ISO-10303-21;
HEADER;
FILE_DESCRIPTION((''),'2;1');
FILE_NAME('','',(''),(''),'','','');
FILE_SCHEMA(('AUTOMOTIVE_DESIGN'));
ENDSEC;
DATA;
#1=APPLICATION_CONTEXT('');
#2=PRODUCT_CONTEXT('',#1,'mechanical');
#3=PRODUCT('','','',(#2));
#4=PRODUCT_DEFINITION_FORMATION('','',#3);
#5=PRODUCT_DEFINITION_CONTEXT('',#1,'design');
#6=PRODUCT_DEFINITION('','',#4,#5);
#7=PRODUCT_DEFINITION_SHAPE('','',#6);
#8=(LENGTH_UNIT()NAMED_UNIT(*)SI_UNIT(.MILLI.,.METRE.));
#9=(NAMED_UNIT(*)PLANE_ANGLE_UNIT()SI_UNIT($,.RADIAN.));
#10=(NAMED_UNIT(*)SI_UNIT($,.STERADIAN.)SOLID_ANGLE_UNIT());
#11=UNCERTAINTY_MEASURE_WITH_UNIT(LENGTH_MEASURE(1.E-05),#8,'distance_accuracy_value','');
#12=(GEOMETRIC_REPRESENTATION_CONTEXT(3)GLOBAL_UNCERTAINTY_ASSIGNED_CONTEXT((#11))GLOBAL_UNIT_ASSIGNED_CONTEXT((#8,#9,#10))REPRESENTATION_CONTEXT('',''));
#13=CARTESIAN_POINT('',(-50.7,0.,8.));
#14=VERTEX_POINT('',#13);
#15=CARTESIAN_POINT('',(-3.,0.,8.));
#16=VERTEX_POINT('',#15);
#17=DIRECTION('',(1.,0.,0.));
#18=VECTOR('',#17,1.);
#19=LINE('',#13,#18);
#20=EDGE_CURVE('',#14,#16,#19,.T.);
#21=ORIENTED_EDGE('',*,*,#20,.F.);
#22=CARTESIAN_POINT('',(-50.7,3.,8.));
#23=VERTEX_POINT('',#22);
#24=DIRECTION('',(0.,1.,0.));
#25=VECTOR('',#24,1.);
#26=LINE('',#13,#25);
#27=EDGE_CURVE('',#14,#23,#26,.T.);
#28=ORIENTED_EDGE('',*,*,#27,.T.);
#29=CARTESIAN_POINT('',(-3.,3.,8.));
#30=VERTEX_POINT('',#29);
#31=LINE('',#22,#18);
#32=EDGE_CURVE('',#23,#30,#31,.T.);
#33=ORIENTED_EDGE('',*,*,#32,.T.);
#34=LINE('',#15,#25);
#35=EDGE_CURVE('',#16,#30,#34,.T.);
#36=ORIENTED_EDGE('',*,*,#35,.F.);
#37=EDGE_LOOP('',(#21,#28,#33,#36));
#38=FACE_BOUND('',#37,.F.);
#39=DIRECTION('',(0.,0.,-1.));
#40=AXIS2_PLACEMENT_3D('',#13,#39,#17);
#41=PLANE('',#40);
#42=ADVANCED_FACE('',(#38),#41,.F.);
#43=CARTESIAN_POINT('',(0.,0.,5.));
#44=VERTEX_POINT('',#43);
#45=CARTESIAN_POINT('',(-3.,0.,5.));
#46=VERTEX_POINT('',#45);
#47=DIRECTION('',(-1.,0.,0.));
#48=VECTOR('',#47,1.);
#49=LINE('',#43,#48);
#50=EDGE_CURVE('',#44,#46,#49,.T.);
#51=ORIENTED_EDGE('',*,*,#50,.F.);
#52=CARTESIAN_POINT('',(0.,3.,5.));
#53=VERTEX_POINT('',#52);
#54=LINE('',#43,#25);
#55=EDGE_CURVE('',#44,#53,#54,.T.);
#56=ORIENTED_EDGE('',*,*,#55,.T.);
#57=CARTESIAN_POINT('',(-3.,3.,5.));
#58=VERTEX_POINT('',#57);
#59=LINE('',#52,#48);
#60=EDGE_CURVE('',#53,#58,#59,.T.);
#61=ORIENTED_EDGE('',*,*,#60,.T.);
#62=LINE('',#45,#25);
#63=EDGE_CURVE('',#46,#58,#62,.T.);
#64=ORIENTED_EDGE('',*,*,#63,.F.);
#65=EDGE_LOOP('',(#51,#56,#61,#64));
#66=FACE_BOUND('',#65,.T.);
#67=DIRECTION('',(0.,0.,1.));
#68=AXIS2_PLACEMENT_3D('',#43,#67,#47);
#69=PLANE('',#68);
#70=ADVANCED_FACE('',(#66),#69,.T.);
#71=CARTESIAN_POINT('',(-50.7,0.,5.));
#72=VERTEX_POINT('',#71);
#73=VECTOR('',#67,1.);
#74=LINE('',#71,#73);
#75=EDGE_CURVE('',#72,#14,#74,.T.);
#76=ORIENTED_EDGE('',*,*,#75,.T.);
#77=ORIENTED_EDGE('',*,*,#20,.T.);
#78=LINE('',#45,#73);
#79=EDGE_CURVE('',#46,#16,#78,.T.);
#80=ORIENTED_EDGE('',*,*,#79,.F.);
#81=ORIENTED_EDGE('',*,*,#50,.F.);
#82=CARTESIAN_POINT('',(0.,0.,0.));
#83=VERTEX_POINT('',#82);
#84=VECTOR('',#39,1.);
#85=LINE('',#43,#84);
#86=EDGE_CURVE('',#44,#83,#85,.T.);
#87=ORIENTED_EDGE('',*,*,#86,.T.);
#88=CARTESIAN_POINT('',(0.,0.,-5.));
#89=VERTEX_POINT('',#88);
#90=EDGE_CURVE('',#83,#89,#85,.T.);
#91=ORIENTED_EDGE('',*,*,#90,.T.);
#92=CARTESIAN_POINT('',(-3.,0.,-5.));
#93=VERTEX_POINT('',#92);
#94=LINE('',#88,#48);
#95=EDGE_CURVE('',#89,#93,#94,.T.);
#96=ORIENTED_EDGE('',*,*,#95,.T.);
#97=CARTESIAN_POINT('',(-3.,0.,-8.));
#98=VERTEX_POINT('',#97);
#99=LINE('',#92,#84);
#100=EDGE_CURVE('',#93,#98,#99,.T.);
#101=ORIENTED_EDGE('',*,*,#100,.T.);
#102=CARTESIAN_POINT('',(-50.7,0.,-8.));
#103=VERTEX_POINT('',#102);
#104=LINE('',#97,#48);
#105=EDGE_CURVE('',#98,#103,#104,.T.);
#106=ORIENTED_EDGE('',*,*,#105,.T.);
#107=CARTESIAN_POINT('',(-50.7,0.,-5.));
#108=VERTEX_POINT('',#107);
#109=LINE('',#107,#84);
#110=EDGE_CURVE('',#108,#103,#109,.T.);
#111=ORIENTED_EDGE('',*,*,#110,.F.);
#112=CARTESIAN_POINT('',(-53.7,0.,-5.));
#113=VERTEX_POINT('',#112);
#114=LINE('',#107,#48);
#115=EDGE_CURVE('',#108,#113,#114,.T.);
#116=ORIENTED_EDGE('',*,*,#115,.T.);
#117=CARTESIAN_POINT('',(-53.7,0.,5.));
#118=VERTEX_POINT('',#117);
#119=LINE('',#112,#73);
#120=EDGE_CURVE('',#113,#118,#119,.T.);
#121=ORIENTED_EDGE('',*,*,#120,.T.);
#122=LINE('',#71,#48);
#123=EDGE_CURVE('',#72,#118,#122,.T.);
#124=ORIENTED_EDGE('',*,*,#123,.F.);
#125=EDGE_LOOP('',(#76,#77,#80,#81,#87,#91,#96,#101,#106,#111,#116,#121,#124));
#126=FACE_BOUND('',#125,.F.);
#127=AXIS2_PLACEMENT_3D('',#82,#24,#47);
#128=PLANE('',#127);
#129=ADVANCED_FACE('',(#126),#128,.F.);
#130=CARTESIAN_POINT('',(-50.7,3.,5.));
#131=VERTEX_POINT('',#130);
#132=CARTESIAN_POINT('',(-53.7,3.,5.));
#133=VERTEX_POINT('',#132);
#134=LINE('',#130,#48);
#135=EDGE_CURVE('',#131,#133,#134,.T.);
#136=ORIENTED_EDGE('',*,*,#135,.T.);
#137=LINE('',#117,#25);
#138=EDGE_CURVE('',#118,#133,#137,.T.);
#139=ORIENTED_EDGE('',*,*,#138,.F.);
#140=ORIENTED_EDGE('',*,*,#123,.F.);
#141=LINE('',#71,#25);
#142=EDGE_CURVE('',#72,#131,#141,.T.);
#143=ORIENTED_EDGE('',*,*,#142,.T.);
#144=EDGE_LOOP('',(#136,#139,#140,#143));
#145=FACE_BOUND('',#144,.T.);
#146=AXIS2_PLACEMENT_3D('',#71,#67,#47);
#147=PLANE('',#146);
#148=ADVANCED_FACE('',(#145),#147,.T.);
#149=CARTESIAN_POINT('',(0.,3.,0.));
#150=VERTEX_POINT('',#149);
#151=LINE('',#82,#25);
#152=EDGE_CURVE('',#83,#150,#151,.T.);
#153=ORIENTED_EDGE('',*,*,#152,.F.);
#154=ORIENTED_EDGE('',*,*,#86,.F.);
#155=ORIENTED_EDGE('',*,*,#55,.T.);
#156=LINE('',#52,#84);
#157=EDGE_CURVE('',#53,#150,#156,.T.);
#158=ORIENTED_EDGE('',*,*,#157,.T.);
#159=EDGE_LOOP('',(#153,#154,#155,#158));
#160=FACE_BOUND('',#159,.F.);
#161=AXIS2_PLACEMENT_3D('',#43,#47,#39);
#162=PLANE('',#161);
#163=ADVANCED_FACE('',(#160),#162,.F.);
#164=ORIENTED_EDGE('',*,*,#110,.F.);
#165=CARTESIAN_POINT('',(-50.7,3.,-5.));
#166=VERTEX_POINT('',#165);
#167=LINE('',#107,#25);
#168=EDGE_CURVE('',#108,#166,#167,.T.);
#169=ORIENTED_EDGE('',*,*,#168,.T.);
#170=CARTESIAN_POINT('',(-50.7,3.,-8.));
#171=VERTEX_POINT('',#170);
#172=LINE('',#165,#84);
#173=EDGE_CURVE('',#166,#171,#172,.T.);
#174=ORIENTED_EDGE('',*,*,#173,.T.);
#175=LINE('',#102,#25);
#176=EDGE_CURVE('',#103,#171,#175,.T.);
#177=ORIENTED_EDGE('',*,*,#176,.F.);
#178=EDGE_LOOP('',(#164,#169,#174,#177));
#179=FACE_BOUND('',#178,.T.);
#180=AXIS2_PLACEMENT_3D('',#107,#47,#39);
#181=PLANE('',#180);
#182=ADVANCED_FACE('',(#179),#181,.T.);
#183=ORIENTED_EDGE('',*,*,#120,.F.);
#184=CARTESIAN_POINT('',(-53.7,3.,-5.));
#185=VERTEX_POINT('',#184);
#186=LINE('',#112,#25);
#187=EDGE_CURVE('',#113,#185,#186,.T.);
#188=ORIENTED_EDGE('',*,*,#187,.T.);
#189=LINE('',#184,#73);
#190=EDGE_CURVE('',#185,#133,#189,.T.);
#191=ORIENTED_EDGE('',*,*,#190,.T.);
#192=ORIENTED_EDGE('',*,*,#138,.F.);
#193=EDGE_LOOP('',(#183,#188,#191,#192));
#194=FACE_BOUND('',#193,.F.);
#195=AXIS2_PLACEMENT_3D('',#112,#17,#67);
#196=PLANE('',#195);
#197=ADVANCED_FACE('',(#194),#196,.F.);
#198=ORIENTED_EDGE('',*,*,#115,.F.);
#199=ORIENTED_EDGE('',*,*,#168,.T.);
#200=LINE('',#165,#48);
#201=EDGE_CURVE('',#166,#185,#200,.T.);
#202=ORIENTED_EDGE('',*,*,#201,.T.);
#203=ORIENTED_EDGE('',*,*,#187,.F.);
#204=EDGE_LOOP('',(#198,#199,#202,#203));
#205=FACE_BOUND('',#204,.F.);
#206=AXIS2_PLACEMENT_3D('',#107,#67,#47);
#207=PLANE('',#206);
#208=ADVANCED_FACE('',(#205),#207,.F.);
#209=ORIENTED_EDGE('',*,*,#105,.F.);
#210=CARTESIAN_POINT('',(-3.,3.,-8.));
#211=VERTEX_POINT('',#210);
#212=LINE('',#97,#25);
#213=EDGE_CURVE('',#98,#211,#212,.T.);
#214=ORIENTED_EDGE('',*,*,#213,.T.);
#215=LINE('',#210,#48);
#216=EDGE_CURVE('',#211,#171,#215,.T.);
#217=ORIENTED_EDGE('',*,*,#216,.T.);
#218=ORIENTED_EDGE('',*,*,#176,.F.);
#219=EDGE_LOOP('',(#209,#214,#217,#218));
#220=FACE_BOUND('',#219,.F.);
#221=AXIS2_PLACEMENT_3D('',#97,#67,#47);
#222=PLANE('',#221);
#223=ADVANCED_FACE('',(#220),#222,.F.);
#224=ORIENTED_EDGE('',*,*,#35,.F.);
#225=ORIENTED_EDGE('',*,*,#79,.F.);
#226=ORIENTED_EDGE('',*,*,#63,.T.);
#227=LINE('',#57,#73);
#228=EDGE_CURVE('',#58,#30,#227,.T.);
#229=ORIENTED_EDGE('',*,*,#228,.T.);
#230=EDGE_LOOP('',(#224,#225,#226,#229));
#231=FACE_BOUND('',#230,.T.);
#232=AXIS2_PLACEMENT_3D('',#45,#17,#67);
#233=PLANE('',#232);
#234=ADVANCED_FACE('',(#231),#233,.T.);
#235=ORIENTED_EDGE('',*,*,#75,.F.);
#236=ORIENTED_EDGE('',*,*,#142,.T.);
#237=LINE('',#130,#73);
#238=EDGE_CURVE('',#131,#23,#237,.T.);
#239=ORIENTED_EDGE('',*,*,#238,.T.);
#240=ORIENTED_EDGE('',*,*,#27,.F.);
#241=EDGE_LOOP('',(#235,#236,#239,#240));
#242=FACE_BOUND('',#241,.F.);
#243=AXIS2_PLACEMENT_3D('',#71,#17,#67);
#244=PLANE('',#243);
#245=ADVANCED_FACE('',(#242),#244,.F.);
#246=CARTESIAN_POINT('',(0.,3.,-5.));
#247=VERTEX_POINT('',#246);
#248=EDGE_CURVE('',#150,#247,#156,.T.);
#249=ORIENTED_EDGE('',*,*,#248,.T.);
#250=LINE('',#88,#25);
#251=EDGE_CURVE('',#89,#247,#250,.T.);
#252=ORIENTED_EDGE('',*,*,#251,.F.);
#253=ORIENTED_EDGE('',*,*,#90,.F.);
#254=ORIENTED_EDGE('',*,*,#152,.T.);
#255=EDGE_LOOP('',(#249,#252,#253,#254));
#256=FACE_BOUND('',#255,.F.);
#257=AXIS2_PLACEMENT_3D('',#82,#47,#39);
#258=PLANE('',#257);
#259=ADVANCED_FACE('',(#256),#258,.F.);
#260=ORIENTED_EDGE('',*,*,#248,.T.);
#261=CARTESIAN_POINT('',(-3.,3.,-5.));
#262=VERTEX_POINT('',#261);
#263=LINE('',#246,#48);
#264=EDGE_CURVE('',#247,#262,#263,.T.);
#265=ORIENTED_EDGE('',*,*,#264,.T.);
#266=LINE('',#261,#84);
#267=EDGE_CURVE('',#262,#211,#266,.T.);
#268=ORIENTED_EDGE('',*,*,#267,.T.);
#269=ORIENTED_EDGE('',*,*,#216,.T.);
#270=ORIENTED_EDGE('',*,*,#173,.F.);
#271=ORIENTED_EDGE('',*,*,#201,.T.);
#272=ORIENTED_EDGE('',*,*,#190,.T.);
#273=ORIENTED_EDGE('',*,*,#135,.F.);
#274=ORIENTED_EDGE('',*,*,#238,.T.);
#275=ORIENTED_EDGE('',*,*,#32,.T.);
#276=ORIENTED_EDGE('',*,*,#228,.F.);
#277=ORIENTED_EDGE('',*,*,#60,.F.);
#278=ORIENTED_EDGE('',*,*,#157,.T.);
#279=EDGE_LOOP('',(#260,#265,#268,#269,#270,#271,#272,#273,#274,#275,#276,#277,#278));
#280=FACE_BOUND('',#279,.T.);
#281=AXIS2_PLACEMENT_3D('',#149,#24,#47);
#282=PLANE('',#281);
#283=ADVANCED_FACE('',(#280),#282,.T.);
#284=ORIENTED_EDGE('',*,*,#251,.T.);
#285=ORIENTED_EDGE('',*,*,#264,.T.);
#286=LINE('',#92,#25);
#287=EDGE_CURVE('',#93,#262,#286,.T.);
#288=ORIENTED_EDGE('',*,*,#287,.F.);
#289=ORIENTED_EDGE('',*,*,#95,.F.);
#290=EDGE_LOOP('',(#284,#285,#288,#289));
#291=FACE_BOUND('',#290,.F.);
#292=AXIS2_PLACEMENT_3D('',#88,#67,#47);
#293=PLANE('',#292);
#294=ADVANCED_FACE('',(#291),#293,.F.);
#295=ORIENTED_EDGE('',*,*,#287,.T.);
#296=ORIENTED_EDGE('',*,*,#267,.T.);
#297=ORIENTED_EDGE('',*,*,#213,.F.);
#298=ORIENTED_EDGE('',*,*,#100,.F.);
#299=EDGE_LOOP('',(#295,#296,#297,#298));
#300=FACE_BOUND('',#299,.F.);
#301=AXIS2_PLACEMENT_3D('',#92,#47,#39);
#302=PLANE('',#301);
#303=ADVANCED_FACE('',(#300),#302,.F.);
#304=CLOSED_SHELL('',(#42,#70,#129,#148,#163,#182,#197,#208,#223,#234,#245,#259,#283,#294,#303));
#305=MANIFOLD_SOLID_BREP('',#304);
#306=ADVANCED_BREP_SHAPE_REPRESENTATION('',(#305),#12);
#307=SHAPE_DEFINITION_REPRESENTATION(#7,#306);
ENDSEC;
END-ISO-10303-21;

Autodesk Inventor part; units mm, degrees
ref_plane "YZ Plane" through (0, 0, 0) normal (1, 0, 0) x (0, 1, 0)
ref_plane "XZ Plane" through (0, 0, 0) normal (0, 1, 0) x (-1, 0, 0)
ref_plane "XY Plane" through (0, 0, 0) normal (0, 0, 1) x (1, 0, 0)
sketch "草圖1" plane through (0, 0, 0) normal (0, 1, 0) x (-1, 0, 0)
  line L0 (0, 5) -> (3, 5)
  line L1 (3, 5) -> (3, 8)
  line L2 (50.7, 5) -> (53.7, 5)
  line L3 (50.7, -5) -> (53.7, -5)
  line L4 (50.7, -5) -> (50.7, -8)
  line L5 (3, -5) -> (3, -8)
  line L6 (0, -5) -> (3, -5)
  line L7 (3, -8) -> (50.7, -8)
  line L8 (53.7, -5) -> (53.7, 5)
  line L9 (50.7, 8) -> (3, 8)
  line L10 (0, 5) -> (0, -5)
  line L11 (0, 0) -> (0, -38.3248)
  line L12 (50.7, 5) -> (50.7, 8)
  dimension "d1" = 10
  dimension "d2" = 3
  dimension "d3" = 3
  dimension "d8" = 53.7
extrude "擠出1" add sketch "草圖1" along normal blind 3
properties part number "beam" material "木材 (楓木)"
